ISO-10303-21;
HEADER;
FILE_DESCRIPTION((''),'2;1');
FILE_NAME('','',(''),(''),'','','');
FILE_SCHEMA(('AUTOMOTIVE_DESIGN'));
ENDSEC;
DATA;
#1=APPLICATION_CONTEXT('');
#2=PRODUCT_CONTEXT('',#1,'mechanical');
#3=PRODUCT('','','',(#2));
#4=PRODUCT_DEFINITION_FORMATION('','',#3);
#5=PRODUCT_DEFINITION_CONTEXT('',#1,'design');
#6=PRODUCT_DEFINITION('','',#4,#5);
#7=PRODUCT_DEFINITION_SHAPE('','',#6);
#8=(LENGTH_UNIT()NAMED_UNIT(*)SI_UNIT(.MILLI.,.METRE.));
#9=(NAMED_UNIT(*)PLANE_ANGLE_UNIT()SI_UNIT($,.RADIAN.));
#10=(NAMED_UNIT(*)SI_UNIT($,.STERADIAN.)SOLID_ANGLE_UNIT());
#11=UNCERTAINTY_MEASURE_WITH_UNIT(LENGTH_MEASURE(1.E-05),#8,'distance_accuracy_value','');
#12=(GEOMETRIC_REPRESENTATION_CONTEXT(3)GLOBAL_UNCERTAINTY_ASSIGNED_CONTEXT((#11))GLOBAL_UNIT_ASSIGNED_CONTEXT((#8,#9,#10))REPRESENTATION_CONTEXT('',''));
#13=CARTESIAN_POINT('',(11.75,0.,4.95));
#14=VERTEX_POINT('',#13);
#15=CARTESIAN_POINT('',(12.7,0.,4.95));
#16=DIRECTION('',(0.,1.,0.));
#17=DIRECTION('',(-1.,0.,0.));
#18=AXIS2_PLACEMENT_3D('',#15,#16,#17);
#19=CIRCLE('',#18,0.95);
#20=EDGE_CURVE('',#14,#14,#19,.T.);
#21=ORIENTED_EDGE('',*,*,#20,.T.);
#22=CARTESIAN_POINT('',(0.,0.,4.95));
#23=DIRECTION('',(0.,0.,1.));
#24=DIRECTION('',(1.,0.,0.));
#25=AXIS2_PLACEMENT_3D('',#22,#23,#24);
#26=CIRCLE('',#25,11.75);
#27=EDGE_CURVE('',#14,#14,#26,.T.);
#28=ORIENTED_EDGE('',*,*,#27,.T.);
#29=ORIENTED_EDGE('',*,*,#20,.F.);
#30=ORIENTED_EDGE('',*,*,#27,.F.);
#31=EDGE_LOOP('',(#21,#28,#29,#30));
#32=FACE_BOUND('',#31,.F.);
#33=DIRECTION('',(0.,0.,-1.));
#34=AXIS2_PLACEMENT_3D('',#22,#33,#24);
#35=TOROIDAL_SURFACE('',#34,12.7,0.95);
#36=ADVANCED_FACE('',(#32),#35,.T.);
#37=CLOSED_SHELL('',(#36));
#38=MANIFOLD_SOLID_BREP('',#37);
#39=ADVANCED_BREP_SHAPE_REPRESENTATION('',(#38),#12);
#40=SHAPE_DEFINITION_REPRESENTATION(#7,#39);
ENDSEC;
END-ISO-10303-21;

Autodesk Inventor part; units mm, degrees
ref_plane "YZ Plane" through (0, 0, 0) normal (1, 0, 0) x (0, 1, 0)
ref_plane "XZ Plane" through (0, 0, 0) normal (0, 1, 0) x (-1, 0, 0)
ref_plane "XY Plane" through (0, 0, 0) normal (0, 0, 1) x (1, 0, 0)
sketch "Sketch2" plane through (0, 0, 0) normal (0, 1, 0) x (-1, 0, 0)
  circle A0 centre (-12.7, 4.95) radius 0.95
  line L0 (0, -1.18) -> (0, 7.08) projected
  point P0 (0, 0)
  dimension "d3" = 12.7
  dimension "d3" = 12.7
revolve "Revolution2" add sketch "Sketch2" angle 360 about axis through (0, 0, -10) along (0, 0, 1)
properties part number "OringBig" material "Rubber"
